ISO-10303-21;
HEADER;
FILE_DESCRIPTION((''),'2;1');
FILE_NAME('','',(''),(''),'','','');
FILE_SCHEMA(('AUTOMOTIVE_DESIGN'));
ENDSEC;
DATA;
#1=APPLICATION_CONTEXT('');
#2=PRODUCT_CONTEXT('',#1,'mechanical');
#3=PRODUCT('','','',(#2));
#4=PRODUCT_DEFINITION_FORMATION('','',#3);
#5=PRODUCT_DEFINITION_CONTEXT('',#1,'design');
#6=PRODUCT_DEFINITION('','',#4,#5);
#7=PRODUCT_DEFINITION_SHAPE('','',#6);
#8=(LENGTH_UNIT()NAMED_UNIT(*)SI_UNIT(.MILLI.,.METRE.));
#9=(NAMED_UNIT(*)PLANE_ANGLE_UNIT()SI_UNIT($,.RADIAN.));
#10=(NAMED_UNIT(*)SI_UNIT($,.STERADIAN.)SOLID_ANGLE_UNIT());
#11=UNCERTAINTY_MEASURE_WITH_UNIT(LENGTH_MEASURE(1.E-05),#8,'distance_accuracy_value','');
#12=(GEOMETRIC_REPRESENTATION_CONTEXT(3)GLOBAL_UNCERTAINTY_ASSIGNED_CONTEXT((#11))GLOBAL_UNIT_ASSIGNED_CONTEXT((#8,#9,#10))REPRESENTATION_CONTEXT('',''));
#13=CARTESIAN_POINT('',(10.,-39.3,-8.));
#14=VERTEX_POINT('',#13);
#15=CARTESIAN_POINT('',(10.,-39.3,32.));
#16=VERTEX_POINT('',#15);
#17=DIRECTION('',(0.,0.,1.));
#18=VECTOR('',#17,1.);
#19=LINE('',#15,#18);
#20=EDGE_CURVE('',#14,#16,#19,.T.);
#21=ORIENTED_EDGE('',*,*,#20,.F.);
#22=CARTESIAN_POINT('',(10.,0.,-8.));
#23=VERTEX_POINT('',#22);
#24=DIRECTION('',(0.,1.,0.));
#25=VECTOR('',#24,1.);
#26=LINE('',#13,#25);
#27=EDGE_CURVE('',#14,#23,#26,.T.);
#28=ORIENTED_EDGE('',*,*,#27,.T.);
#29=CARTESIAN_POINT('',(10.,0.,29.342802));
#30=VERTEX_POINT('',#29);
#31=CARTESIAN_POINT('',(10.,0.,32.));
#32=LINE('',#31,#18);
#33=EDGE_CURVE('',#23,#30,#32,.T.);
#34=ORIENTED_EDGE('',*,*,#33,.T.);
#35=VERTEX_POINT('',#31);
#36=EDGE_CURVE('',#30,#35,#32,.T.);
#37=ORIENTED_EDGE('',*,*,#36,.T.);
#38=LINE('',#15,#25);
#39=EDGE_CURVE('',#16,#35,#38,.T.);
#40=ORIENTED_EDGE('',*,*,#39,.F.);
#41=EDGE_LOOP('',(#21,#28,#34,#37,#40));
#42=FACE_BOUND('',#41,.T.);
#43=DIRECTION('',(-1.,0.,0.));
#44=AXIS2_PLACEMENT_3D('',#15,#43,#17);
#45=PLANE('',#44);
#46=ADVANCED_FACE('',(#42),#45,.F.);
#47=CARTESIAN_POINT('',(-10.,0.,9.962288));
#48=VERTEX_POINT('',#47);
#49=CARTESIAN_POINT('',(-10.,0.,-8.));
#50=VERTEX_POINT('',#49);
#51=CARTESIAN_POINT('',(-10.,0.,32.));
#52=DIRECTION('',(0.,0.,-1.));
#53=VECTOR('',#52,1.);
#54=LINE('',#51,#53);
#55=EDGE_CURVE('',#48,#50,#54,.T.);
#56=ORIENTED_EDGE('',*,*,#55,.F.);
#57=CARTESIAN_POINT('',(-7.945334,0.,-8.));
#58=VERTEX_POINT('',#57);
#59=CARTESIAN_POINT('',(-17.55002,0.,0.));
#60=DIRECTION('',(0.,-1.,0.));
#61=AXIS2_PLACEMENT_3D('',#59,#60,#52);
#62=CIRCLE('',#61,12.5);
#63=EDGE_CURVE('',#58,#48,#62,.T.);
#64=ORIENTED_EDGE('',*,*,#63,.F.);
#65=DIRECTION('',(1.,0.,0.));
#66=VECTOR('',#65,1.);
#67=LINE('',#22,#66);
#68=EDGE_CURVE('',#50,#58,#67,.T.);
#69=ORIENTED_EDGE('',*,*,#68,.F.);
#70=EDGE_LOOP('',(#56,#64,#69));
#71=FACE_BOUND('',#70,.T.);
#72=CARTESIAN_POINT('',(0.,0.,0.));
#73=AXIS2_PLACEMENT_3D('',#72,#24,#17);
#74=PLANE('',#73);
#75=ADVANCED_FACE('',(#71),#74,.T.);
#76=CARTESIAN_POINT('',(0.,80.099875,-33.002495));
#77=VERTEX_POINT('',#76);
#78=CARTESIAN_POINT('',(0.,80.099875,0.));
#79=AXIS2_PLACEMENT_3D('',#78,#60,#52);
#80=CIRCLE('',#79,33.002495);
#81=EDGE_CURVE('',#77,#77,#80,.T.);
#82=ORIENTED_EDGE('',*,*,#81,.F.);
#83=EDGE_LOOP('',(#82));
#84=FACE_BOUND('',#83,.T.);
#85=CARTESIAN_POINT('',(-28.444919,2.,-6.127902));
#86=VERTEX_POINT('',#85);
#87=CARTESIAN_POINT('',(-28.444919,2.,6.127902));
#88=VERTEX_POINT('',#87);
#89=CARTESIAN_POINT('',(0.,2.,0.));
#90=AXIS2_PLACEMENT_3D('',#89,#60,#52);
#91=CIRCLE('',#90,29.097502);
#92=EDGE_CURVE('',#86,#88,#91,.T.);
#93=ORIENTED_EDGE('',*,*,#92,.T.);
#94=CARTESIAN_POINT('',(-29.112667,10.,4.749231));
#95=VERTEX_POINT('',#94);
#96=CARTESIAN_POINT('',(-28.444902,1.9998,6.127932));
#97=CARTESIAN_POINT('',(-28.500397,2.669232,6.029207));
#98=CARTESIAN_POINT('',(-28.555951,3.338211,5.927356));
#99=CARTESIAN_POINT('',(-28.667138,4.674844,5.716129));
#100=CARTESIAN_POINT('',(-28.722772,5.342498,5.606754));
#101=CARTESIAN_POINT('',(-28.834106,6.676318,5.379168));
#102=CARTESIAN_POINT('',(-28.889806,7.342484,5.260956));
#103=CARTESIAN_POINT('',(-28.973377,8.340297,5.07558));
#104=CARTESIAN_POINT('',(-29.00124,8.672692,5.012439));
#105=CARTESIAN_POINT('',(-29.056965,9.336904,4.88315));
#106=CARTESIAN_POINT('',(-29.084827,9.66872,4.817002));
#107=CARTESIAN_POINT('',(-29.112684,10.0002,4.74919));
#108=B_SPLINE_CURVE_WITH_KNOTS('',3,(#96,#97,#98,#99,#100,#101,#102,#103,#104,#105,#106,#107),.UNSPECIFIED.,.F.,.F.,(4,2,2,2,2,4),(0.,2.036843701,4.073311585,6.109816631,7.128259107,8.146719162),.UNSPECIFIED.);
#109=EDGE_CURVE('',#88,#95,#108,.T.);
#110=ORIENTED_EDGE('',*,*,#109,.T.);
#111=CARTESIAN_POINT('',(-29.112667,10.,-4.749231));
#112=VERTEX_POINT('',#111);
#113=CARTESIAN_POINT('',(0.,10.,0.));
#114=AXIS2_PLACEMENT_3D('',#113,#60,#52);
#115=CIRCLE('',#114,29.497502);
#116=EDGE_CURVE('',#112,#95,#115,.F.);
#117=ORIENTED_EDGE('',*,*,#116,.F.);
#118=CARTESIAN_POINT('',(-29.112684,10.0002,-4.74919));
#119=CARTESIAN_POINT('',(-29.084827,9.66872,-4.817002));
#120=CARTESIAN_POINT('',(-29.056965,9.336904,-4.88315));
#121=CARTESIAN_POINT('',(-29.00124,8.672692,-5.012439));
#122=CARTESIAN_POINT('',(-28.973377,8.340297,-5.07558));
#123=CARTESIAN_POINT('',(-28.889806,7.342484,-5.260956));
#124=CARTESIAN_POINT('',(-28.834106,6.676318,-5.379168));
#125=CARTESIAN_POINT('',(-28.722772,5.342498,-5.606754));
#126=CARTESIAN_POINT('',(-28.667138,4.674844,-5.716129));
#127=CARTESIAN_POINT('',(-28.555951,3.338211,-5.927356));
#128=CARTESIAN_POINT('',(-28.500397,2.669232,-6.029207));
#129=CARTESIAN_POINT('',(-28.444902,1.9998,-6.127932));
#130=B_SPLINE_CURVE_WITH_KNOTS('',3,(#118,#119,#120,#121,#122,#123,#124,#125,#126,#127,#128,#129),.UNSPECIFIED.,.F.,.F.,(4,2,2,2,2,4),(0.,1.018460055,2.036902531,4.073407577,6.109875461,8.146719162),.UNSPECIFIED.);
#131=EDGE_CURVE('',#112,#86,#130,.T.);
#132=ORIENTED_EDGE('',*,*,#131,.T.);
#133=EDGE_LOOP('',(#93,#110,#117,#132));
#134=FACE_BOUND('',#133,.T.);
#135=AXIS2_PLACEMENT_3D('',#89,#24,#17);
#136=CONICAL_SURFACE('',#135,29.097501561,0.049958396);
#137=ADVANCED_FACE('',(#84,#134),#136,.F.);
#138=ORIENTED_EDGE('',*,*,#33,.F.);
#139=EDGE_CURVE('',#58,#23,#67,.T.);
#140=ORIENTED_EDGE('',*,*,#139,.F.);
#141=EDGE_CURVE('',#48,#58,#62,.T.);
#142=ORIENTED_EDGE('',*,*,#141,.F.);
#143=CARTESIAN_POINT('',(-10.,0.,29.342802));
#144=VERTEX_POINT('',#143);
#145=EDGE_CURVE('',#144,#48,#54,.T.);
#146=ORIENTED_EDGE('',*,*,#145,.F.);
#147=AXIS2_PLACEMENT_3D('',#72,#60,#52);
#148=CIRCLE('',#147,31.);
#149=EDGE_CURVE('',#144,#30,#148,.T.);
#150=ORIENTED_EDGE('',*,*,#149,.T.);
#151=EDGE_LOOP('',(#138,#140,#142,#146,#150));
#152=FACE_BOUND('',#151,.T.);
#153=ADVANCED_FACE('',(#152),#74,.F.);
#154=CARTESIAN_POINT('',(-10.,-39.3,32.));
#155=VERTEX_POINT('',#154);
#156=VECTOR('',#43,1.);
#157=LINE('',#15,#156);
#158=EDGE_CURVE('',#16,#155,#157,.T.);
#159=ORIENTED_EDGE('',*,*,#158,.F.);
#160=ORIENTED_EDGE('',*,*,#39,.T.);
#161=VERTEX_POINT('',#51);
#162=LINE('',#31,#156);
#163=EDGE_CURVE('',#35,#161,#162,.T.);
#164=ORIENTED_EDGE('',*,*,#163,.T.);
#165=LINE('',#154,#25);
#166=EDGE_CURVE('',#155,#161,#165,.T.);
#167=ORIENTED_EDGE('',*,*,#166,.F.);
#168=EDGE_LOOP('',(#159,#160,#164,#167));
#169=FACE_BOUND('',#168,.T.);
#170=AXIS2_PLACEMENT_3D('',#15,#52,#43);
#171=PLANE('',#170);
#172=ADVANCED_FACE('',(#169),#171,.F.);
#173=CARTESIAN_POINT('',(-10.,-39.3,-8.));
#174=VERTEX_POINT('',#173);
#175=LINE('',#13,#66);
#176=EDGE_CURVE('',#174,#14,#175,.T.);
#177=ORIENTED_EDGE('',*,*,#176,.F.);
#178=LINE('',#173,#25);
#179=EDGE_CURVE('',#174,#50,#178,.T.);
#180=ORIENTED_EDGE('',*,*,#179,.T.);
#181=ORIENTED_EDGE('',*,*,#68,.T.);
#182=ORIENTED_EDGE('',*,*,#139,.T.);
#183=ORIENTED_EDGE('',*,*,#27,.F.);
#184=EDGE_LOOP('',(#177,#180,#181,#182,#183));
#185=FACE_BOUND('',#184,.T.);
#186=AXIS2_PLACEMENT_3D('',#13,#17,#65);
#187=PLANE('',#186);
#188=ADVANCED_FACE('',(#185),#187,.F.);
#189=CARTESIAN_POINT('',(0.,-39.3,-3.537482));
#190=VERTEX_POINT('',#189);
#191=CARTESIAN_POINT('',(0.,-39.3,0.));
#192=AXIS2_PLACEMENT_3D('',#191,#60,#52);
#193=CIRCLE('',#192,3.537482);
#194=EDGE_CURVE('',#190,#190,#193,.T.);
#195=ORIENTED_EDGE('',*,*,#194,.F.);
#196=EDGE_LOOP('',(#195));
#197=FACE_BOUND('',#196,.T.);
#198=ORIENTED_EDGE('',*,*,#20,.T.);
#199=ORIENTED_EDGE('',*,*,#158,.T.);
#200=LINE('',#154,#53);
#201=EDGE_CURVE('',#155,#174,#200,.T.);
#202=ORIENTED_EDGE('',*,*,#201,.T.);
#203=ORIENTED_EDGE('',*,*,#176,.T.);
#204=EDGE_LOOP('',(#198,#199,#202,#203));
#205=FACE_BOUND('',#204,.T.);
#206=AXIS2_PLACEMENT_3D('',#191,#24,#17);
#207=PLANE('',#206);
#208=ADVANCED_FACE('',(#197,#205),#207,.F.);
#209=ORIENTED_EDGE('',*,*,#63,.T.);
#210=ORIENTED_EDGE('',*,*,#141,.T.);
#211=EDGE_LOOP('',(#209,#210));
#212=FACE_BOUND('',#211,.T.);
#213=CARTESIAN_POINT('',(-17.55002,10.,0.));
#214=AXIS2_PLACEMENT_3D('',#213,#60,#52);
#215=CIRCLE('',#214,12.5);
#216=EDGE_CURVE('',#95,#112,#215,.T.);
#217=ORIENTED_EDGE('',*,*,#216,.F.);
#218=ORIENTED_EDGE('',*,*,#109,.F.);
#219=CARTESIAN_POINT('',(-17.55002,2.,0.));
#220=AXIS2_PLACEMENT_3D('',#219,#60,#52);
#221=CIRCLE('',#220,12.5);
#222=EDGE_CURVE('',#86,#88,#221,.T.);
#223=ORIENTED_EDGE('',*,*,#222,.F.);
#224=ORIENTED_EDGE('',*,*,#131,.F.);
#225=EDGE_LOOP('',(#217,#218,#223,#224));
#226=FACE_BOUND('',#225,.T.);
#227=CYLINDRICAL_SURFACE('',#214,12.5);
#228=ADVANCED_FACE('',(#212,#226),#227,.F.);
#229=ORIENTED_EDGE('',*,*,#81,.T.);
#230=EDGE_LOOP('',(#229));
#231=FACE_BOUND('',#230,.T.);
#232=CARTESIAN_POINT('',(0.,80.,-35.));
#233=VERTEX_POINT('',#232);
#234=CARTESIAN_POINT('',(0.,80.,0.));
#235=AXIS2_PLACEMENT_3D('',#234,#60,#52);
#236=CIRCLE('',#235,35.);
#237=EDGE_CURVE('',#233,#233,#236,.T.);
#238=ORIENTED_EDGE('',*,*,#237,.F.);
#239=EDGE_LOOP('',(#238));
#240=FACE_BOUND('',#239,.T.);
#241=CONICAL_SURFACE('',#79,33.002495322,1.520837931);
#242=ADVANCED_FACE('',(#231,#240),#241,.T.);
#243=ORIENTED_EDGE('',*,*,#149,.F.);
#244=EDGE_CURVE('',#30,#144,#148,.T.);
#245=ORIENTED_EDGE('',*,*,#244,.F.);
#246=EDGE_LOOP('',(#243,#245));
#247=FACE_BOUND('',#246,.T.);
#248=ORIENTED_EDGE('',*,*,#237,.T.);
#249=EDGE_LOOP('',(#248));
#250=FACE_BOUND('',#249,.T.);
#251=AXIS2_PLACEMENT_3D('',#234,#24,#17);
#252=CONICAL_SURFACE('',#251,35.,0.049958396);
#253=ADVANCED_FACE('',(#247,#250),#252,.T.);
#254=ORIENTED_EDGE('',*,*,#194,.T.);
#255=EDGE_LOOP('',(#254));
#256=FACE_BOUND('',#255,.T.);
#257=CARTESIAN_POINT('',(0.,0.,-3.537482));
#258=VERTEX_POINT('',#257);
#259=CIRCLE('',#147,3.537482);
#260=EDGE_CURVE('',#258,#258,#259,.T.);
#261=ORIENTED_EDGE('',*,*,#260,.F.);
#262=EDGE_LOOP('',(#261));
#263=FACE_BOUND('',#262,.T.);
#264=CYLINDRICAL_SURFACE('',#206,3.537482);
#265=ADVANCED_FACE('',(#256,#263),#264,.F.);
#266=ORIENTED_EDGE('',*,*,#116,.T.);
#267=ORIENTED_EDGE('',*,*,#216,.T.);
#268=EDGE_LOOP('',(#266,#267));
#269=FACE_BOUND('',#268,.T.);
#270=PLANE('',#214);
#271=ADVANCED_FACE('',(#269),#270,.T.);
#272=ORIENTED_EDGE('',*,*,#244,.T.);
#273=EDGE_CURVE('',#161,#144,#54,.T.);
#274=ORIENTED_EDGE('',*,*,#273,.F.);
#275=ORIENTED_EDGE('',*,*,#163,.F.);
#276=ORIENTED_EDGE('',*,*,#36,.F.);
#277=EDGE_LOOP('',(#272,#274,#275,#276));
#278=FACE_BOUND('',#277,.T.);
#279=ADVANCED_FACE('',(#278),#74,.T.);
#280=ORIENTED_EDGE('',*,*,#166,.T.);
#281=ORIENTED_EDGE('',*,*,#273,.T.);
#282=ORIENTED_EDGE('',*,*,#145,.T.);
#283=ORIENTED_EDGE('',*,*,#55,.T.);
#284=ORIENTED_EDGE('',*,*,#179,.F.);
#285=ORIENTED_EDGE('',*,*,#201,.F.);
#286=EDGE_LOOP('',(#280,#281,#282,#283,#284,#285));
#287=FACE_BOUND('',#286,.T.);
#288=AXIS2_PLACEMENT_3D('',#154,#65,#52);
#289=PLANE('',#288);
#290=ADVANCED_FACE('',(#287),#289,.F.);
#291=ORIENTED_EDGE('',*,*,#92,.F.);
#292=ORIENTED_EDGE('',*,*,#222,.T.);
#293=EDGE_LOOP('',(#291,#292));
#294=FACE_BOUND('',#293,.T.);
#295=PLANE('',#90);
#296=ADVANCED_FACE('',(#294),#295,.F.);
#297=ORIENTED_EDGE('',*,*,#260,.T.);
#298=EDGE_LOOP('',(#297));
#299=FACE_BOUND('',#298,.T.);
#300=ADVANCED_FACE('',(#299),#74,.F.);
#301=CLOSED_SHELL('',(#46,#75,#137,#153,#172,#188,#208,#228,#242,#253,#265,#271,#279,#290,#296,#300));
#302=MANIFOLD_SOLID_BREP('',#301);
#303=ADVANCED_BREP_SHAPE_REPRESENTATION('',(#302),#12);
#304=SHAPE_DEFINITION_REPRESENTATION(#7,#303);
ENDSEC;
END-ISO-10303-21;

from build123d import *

# Parameters (mm, degrees)
SKETCH2_R           = 12.5
CUT_EXTRUDE1_DEPTH  = 10
SKETCH3_W           = 20
SKETCH3_H           = 40
SKETCH3_R           = 3.537482137
BOSS_EXTRUDE1_DEPTH = 39.3


with BuildPart() as part:
    # Sketch1 → Revolve1 (revolve)
    with BuildSketch(Plane.XY):
        Polygon((0, 0), (-31, 0), (-35, 80), (-33.002495322, 80.099875234), (-29.097501561, 2), (0, 2), align=None)
    revolve(axis=Axis((0, 0, 0), (0, 1, 0)))

    # Sketch2 → Cut-Extrude1 (cut)
    with BuildSketch(Plane.XZ):
        with Locations((-17.550020437, 0)):
            Circle(SKETCH2_R)
    extrude(amount=-CUT_EXTRUDE1_DEPTH, mode=Mode.SUBTRACT)

    # Sketch3 → Boss-Extrude1 (add)
    with BuildSketch(Plane.XZ):
        with Locations((0, 12)):
            Rectangle(SKETCH3_W, SKETCH3_H)
        Circle(SKETCH3_R, mode=Mode.SUBTRACT)
    extrude(amount=BOSS_EXTRUDE1_DEPTH)


solid = part.part
